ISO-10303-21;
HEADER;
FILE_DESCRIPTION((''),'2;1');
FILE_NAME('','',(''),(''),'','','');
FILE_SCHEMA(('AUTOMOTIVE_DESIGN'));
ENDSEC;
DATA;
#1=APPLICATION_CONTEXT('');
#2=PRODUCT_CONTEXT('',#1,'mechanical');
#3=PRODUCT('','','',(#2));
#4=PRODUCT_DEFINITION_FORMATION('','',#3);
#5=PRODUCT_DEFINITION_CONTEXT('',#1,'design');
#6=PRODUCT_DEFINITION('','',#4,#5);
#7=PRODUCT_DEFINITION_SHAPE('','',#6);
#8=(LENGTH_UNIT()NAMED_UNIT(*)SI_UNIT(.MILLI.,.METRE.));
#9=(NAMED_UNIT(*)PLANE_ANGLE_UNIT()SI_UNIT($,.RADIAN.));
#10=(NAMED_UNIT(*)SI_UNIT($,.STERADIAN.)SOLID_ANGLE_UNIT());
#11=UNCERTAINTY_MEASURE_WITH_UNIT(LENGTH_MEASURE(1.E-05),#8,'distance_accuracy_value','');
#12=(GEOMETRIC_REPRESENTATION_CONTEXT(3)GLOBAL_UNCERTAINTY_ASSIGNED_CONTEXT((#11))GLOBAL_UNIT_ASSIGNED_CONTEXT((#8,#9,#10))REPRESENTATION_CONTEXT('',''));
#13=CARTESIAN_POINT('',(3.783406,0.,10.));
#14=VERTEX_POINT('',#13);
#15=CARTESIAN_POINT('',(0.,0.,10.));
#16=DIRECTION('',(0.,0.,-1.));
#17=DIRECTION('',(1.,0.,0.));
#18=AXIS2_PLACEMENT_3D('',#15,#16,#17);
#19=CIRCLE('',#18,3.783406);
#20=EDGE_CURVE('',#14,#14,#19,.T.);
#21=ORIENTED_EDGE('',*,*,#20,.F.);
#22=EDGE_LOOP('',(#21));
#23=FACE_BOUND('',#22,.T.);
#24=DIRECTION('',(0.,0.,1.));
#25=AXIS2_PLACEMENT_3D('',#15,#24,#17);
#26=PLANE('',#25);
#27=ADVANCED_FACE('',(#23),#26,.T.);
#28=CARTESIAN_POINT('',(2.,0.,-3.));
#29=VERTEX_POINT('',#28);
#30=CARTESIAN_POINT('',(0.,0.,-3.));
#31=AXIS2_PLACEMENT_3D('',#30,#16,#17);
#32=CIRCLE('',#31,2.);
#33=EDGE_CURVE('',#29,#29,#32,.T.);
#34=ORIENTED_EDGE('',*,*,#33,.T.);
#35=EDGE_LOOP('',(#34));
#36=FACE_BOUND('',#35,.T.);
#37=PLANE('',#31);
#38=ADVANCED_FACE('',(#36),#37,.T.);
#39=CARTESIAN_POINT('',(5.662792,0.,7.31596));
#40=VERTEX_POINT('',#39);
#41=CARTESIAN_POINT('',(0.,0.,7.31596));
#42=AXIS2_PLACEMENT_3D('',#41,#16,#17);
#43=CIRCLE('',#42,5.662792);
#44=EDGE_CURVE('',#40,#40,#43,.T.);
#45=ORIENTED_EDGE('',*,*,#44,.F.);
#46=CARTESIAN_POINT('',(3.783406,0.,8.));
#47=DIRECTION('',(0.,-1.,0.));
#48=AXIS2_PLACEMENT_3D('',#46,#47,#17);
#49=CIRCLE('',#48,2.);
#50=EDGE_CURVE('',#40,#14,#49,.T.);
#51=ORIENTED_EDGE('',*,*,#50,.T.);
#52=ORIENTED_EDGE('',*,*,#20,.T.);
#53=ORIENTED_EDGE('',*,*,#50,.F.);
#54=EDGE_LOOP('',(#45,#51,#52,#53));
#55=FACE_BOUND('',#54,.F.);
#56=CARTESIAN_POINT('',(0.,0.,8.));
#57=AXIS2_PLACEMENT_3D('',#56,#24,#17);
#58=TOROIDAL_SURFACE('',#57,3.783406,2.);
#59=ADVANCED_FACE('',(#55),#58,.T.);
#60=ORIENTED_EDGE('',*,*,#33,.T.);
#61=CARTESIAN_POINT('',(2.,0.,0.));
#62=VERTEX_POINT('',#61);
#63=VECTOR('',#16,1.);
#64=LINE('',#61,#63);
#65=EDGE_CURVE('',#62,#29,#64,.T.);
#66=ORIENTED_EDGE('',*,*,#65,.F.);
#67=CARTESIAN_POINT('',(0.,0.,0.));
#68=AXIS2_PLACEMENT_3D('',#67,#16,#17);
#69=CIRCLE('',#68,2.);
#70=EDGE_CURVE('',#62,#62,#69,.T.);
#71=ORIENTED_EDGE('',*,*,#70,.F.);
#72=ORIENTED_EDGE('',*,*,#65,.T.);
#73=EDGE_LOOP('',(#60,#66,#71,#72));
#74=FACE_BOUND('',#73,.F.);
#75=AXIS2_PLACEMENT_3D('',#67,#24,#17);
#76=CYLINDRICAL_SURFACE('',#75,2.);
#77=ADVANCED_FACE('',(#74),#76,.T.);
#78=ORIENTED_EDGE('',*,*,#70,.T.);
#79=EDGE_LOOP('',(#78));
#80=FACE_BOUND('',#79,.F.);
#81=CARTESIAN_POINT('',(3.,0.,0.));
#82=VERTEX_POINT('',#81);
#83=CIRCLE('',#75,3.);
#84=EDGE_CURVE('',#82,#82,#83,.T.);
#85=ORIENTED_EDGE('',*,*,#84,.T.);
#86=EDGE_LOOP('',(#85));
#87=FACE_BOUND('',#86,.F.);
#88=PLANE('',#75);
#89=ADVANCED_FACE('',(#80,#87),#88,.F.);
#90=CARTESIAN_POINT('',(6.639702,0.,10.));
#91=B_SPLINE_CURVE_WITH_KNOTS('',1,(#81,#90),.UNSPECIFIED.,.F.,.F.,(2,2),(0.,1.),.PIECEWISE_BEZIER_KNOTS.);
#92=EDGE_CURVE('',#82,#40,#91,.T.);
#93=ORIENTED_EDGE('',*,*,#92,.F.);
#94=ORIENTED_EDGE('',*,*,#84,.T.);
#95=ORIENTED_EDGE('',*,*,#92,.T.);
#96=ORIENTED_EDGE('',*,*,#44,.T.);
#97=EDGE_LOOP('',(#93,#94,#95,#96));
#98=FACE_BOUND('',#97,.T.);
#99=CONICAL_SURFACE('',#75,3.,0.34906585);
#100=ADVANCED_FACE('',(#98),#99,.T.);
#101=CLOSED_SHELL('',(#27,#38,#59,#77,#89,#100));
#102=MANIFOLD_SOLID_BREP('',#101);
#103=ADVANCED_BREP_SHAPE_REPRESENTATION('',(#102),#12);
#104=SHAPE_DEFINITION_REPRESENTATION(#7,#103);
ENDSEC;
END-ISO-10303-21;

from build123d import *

# Parameters (mm, degrees)
F0_R     = 3
F1_DEPTH = 10
F1_TAPER = -20
F2_R     = 2
F3_R     = 2
F4_DEPTH = 3


with BuildPart() as f1:
    # F0 (on Top) → F1 (new body)
    with BuildSketch(Plane.XY):
        Circle(F0_R)
    extrude(amount=F1_DEPTH, taper=F1_TAPER)

    # F2
    f2_edges = [f1.edges().sort_by_distance(p)[0] for p in [
        (-6.639702, 0, 10),
    ]]
    fillet(f2_edges, radius=F2_R)

    # F3 (on face) → F4 (join)
    with BuildSketch(Plane(origin=(0, 0, 0), x_dir=(1, 0, 0), z_dir=(0, 0, -1))):
        Circle(F3_R)
    extrude(amount=F4_DEPTH)


solid = f1.part
